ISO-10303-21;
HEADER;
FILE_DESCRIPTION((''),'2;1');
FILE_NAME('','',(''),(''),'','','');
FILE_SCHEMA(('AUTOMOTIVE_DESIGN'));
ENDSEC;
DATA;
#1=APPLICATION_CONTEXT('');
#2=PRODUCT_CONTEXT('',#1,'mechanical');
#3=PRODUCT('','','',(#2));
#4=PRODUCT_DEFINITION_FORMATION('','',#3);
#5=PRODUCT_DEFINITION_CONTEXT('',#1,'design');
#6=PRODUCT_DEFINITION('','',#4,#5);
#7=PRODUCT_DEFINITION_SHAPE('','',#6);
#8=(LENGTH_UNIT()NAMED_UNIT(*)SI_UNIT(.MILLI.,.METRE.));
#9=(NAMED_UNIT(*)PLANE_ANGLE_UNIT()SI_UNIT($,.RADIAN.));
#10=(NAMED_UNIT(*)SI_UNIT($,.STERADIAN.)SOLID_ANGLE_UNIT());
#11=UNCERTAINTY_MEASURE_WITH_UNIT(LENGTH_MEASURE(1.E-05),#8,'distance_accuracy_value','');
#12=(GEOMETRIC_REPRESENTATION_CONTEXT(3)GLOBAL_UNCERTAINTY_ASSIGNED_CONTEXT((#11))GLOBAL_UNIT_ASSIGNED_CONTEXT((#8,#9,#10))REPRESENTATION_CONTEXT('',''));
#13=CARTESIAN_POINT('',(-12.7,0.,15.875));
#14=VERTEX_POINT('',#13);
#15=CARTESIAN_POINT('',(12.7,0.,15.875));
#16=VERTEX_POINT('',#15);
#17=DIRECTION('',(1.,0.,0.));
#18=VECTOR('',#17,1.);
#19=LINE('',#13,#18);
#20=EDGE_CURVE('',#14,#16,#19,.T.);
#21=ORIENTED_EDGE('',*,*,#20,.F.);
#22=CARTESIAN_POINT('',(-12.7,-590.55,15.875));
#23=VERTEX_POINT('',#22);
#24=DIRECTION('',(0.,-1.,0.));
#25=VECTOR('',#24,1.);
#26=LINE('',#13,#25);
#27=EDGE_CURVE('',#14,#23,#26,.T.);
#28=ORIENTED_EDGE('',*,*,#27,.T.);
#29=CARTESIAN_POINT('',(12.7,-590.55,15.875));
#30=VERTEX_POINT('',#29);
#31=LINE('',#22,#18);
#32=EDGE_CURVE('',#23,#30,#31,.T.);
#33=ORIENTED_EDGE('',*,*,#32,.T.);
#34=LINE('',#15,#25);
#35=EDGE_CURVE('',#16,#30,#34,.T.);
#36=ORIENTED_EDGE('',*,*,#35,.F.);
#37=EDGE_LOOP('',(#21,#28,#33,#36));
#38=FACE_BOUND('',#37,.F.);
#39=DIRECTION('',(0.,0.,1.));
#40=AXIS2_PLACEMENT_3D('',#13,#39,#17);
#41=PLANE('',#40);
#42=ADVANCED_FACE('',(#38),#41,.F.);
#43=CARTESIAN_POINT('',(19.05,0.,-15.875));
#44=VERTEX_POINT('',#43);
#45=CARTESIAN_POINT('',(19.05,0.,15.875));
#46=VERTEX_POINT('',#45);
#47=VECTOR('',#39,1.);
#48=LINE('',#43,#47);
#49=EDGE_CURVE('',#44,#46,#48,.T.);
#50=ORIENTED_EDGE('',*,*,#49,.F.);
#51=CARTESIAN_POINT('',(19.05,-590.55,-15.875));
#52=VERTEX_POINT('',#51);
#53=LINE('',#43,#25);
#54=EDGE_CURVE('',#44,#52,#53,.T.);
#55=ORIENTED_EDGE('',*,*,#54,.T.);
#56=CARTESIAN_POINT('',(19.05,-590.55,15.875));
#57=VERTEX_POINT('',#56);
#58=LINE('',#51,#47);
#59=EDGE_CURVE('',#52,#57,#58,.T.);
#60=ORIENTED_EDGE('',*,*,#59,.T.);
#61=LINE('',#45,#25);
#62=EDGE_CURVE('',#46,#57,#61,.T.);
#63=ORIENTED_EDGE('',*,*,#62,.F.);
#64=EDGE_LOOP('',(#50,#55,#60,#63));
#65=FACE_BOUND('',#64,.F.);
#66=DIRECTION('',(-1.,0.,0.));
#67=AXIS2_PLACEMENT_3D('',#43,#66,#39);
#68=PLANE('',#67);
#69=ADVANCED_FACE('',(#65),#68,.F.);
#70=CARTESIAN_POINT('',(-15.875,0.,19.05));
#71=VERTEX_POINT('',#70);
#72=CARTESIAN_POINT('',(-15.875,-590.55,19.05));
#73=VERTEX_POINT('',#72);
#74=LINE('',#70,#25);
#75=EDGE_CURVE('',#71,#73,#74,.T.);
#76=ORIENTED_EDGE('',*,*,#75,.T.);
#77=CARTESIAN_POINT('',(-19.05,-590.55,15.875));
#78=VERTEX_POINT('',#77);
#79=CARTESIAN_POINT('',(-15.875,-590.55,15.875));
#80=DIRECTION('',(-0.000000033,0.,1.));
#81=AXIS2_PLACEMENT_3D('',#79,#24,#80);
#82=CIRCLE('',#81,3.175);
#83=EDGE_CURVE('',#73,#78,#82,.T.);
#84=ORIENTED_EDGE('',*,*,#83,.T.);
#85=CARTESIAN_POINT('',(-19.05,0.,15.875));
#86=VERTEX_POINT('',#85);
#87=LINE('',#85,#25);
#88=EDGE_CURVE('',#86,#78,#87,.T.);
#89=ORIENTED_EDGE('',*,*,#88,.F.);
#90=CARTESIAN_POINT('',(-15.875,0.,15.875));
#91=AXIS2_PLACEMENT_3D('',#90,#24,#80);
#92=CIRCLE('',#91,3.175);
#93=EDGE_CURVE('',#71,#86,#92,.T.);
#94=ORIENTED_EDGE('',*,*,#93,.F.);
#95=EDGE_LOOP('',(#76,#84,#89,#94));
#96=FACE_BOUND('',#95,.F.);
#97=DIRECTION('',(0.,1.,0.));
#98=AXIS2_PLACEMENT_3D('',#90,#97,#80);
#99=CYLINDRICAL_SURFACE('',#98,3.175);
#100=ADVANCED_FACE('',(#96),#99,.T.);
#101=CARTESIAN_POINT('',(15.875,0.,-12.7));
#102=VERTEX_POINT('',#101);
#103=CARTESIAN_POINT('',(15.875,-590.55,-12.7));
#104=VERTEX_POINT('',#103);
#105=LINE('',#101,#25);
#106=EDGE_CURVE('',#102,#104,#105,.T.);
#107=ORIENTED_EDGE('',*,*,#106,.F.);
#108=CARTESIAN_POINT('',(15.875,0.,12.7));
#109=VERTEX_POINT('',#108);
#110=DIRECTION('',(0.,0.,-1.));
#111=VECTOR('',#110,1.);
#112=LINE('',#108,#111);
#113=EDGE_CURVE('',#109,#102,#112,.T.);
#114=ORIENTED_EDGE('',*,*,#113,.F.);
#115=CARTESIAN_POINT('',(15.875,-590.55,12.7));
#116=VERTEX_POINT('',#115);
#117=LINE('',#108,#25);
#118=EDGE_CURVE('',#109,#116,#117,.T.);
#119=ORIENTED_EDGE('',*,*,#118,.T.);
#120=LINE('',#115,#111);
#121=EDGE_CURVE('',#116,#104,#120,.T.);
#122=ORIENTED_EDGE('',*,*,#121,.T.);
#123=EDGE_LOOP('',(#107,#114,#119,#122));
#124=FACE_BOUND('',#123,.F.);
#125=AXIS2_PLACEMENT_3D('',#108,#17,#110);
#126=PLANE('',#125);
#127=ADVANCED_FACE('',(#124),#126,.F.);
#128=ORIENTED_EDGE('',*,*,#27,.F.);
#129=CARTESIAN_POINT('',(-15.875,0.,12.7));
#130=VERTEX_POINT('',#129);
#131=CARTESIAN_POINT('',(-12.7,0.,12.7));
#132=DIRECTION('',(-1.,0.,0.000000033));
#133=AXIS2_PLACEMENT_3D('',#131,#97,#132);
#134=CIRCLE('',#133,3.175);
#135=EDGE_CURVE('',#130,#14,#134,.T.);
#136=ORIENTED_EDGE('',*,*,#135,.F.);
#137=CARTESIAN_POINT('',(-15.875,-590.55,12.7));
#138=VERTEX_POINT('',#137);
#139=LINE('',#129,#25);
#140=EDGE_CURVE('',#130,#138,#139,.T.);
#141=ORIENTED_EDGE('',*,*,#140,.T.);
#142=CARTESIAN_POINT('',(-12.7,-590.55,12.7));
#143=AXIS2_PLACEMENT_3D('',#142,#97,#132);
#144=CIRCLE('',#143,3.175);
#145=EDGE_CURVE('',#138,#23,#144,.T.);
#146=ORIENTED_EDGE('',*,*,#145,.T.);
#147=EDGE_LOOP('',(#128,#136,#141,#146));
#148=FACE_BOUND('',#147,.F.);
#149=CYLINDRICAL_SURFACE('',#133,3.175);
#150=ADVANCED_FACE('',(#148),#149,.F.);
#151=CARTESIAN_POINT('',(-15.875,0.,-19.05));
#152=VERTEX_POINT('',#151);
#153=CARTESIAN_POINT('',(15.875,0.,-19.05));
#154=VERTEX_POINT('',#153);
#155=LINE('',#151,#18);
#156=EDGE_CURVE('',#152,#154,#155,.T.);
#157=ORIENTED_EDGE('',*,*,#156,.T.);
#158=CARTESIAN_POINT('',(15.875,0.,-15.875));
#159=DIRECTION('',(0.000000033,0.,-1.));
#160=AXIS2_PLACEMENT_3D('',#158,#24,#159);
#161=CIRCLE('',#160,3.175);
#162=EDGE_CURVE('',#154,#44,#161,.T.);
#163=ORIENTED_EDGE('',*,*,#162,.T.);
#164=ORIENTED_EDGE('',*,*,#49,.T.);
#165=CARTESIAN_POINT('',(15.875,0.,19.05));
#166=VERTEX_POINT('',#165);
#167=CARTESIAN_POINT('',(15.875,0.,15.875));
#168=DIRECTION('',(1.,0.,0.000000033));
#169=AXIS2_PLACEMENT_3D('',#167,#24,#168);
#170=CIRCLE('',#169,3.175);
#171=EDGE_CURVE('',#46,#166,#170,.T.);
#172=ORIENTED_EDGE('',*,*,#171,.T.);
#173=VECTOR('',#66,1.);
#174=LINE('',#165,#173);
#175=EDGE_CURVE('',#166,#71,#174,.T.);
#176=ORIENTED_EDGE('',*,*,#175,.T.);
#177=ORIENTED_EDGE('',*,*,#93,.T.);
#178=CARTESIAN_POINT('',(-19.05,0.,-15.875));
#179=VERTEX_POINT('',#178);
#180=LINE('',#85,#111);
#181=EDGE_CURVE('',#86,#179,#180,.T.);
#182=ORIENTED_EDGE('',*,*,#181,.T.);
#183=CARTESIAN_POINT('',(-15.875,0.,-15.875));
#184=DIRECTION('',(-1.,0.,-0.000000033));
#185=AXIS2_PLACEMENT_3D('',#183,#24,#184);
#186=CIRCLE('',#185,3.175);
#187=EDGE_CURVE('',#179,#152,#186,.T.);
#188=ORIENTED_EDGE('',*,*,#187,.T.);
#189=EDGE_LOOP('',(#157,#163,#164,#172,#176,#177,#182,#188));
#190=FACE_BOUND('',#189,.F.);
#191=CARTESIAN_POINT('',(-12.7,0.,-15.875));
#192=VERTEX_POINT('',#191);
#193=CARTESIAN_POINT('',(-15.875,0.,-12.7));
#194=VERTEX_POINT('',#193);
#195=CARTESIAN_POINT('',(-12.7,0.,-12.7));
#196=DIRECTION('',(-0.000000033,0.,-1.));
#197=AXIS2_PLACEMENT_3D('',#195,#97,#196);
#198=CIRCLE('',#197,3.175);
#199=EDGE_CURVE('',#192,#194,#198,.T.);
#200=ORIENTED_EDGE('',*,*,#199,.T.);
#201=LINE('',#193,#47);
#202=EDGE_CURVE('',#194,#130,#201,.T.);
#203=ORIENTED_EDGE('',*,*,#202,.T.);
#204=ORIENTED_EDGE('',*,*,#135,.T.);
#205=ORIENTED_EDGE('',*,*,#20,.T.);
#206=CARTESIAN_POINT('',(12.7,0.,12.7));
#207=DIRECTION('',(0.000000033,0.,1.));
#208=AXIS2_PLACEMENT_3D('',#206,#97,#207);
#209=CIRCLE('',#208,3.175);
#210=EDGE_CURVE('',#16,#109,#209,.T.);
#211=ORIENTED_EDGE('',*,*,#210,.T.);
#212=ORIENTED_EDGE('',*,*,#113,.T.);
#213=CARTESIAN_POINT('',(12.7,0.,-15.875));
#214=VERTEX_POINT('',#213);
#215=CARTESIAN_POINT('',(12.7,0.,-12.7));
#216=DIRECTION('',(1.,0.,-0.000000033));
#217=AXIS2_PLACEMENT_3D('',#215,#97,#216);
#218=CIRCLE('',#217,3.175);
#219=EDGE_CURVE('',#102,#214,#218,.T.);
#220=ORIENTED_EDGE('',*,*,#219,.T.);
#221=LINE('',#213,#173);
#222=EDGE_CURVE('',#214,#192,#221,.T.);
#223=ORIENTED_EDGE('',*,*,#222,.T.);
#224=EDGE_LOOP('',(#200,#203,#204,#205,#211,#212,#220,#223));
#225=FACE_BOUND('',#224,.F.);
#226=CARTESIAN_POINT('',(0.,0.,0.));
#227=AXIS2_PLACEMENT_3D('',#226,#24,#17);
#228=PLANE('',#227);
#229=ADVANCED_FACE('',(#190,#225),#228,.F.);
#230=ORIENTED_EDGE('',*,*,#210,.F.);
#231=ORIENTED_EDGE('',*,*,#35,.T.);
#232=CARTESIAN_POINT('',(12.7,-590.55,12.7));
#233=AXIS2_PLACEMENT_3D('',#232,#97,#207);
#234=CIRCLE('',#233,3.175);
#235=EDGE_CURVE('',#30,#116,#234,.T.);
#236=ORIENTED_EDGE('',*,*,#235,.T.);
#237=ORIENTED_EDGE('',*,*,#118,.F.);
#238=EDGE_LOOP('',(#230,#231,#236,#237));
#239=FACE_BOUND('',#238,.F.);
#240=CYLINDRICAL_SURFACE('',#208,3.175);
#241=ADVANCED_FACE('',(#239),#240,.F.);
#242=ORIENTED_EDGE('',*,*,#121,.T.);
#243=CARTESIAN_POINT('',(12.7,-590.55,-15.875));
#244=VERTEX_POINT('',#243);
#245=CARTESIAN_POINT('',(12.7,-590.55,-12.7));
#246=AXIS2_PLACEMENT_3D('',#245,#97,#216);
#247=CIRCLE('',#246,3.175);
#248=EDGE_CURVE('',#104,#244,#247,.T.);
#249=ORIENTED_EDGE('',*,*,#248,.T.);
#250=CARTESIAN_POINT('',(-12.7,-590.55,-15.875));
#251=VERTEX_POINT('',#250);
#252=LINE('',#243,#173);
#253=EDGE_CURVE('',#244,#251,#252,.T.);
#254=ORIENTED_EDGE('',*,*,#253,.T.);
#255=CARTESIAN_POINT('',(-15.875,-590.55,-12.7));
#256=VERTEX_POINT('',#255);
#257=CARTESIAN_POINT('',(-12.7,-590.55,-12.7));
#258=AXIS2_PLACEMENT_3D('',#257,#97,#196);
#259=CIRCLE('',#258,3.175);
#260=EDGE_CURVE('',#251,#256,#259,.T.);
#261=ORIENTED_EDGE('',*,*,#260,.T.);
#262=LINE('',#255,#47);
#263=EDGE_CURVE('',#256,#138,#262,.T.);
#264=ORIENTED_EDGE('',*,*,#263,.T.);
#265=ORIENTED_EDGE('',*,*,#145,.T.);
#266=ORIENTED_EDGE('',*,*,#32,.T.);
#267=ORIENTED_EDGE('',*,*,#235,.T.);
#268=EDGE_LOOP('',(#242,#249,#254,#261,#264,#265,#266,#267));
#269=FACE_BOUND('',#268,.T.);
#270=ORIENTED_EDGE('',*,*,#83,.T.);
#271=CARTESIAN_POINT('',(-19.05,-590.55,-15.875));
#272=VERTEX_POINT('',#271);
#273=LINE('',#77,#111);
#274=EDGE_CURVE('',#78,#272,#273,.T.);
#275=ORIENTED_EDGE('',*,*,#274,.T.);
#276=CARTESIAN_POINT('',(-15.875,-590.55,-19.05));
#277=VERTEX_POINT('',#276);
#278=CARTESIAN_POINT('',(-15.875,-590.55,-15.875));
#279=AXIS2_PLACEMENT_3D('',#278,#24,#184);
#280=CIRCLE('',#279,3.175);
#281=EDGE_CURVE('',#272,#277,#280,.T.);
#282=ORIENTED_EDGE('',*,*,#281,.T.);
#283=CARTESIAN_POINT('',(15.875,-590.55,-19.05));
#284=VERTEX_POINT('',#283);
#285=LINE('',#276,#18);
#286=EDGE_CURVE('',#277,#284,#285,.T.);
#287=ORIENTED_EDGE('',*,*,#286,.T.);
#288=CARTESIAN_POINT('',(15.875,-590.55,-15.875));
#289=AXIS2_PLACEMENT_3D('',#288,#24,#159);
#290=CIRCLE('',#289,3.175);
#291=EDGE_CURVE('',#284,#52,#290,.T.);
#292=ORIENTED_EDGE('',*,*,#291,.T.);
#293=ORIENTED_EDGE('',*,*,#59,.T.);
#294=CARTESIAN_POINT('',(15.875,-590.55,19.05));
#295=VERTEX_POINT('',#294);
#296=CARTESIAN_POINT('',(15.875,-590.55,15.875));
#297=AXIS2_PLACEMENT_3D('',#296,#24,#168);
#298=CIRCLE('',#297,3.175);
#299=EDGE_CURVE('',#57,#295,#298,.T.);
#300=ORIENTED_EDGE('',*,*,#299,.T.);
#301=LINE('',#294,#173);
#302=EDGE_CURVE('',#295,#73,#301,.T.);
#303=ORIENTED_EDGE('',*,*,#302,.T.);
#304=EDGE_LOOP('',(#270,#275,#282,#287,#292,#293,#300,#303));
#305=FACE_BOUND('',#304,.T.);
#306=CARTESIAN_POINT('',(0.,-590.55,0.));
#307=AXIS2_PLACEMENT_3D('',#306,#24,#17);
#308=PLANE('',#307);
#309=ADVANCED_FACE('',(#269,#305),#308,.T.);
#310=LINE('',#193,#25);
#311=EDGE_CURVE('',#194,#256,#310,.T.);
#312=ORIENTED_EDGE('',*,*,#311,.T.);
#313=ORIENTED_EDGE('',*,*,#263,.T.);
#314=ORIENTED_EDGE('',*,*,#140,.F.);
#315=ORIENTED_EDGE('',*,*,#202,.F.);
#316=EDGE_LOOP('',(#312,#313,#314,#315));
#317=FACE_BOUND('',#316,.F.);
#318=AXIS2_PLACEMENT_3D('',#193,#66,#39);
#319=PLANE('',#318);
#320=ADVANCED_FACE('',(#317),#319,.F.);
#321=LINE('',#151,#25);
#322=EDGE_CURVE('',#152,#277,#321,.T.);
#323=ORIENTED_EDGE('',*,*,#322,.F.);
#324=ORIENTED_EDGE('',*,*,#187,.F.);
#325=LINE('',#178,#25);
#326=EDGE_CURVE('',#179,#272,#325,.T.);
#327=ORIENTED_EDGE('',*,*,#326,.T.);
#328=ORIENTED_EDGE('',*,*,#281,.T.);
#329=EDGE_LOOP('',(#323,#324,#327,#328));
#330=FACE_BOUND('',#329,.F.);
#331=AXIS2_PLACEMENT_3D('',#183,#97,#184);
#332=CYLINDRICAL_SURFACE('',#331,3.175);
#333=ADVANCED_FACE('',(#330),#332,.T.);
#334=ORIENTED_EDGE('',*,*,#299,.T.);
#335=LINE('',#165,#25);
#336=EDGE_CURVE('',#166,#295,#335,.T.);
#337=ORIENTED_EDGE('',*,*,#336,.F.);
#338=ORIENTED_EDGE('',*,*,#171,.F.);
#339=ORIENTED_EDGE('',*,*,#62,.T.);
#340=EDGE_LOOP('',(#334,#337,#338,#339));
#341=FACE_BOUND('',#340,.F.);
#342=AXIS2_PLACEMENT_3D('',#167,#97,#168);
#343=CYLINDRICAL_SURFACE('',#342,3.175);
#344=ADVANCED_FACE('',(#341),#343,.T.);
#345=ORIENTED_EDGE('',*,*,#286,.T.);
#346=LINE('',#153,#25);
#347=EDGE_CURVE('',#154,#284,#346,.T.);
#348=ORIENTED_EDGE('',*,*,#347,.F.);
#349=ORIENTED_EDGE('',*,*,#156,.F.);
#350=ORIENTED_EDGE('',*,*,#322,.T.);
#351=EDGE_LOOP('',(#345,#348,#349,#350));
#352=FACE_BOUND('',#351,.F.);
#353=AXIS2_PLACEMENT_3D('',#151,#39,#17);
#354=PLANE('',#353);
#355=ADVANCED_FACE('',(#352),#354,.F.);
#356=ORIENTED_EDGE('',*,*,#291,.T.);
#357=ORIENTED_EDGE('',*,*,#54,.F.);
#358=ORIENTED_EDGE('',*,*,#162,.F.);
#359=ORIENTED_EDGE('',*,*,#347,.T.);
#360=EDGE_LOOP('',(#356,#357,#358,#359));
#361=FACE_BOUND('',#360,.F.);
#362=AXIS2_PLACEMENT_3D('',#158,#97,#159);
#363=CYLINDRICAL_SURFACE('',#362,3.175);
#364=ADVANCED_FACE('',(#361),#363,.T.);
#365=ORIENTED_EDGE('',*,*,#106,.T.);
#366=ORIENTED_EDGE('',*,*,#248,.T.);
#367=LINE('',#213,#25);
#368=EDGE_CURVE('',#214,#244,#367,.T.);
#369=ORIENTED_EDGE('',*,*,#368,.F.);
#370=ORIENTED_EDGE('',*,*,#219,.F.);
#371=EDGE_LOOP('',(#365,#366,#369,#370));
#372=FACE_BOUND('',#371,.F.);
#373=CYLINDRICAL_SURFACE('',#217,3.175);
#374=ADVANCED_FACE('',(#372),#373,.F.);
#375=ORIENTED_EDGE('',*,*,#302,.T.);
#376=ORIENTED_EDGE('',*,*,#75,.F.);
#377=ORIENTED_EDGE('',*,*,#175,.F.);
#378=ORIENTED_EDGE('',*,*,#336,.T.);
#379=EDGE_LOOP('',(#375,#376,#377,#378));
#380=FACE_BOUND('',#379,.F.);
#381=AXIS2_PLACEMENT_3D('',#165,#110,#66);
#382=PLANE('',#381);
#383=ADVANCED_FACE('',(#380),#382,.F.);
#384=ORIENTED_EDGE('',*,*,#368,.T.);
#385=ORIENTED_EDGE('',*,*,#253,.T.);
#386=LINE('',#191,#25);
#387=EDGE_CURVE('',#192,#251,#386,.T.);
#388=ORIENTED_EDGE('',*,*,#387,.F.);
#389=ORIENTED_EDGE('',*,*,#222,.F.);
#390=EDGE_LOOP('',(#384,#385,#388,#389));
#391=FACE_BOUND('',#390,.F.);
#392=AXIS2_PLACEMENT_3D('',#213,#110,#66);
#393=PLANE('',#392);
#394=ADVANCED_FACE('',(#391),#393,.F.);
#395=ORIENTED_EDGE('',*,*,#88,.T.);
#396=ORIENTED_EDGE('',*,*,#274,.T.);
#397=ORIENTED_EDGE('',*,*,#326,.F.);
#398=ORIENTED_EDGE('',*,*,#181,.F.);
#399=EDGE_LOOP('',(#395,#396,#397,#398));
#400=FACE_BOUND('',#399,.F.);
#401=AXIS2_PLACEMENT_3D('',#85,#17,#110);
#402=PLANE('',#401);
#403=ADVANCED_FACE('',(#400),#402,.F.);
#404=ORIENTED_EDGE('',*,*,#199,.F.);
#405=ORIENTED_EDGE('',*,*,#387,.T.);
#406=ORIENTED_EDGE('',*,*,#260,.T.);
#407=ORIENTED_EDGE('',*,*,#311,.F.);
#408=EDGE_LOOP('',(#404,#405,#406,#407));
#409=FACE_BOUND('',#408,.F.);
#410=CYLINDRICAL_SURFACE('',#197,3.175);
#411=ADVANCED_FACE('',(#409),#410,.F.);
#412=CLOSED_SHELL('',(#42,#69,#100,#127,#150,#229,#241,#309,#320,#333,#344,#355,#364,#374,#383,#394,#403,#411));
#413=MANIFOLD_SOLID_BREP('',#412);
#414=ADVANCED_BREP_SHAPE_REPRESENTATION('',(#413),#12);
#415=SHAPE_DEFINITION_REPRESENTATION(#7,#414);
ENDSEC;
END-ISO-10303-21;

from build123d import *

# Parameters (mm, degrees)
F1_DEPTH = 590.55


with BuildPart() as f1:
    # F0 (on Front) → F1 (new body)
    with BuildSketch(Plane.XZ):
        with BuildLine():
            ThreePointArc((19.05, 15.875), (18.120064, 18.120064), (15.875, 19.05))
            Line((15.875, 19.05), (-15.875, 19.05))
            ThreePointArc((-15.875, 19.05), (-18.120064, 18.120064), (-19.05, 15.875))
            Line((-19.05, 15.875), (-19.05, -15.875))
            ThreePointArc((-19.05, -15.875), (-18.120064, -18.120064), (-15.875, -19.05))
            Line((-15.875, -19.05), (15.875, -19.05))
            ThreePointArc((15.875, -19.05), (18.120064, -18.120064), (19.05, -15.875))
            Line((19.05, -15.875), (19.05, 15.875))
        make_face()
        with BuildLine():
            Line((-12.7, 15.875), (12.7, 15.875))
            ThreePointArc((12.7, 15.875), (14.945064, 14.945064), (15.875, 12.7))
            Line((15.875, 12.7), (15.875, -12.7))
            ThreePointArc((15.875, -12.7), (14.945064, -14.945064), (12.7, -15.875))
            Line((12.7, -15.875), (-12.7, -15.875))
            ThreePointArc((-12.7, -15.875), (-14.945064, -14.945064), (-15.875, -12.7))
            Line((-15.875, -12.7), (-15.875, 12.7))
            ThreePointArc((-15.875, 12.7), (-14.945064, 14.945064), (-12.7, 15.875))
        make_face(mode=Mode.SUBTRACT)
    extrude(amount=F1_DEPTH)


solid = f1.part
